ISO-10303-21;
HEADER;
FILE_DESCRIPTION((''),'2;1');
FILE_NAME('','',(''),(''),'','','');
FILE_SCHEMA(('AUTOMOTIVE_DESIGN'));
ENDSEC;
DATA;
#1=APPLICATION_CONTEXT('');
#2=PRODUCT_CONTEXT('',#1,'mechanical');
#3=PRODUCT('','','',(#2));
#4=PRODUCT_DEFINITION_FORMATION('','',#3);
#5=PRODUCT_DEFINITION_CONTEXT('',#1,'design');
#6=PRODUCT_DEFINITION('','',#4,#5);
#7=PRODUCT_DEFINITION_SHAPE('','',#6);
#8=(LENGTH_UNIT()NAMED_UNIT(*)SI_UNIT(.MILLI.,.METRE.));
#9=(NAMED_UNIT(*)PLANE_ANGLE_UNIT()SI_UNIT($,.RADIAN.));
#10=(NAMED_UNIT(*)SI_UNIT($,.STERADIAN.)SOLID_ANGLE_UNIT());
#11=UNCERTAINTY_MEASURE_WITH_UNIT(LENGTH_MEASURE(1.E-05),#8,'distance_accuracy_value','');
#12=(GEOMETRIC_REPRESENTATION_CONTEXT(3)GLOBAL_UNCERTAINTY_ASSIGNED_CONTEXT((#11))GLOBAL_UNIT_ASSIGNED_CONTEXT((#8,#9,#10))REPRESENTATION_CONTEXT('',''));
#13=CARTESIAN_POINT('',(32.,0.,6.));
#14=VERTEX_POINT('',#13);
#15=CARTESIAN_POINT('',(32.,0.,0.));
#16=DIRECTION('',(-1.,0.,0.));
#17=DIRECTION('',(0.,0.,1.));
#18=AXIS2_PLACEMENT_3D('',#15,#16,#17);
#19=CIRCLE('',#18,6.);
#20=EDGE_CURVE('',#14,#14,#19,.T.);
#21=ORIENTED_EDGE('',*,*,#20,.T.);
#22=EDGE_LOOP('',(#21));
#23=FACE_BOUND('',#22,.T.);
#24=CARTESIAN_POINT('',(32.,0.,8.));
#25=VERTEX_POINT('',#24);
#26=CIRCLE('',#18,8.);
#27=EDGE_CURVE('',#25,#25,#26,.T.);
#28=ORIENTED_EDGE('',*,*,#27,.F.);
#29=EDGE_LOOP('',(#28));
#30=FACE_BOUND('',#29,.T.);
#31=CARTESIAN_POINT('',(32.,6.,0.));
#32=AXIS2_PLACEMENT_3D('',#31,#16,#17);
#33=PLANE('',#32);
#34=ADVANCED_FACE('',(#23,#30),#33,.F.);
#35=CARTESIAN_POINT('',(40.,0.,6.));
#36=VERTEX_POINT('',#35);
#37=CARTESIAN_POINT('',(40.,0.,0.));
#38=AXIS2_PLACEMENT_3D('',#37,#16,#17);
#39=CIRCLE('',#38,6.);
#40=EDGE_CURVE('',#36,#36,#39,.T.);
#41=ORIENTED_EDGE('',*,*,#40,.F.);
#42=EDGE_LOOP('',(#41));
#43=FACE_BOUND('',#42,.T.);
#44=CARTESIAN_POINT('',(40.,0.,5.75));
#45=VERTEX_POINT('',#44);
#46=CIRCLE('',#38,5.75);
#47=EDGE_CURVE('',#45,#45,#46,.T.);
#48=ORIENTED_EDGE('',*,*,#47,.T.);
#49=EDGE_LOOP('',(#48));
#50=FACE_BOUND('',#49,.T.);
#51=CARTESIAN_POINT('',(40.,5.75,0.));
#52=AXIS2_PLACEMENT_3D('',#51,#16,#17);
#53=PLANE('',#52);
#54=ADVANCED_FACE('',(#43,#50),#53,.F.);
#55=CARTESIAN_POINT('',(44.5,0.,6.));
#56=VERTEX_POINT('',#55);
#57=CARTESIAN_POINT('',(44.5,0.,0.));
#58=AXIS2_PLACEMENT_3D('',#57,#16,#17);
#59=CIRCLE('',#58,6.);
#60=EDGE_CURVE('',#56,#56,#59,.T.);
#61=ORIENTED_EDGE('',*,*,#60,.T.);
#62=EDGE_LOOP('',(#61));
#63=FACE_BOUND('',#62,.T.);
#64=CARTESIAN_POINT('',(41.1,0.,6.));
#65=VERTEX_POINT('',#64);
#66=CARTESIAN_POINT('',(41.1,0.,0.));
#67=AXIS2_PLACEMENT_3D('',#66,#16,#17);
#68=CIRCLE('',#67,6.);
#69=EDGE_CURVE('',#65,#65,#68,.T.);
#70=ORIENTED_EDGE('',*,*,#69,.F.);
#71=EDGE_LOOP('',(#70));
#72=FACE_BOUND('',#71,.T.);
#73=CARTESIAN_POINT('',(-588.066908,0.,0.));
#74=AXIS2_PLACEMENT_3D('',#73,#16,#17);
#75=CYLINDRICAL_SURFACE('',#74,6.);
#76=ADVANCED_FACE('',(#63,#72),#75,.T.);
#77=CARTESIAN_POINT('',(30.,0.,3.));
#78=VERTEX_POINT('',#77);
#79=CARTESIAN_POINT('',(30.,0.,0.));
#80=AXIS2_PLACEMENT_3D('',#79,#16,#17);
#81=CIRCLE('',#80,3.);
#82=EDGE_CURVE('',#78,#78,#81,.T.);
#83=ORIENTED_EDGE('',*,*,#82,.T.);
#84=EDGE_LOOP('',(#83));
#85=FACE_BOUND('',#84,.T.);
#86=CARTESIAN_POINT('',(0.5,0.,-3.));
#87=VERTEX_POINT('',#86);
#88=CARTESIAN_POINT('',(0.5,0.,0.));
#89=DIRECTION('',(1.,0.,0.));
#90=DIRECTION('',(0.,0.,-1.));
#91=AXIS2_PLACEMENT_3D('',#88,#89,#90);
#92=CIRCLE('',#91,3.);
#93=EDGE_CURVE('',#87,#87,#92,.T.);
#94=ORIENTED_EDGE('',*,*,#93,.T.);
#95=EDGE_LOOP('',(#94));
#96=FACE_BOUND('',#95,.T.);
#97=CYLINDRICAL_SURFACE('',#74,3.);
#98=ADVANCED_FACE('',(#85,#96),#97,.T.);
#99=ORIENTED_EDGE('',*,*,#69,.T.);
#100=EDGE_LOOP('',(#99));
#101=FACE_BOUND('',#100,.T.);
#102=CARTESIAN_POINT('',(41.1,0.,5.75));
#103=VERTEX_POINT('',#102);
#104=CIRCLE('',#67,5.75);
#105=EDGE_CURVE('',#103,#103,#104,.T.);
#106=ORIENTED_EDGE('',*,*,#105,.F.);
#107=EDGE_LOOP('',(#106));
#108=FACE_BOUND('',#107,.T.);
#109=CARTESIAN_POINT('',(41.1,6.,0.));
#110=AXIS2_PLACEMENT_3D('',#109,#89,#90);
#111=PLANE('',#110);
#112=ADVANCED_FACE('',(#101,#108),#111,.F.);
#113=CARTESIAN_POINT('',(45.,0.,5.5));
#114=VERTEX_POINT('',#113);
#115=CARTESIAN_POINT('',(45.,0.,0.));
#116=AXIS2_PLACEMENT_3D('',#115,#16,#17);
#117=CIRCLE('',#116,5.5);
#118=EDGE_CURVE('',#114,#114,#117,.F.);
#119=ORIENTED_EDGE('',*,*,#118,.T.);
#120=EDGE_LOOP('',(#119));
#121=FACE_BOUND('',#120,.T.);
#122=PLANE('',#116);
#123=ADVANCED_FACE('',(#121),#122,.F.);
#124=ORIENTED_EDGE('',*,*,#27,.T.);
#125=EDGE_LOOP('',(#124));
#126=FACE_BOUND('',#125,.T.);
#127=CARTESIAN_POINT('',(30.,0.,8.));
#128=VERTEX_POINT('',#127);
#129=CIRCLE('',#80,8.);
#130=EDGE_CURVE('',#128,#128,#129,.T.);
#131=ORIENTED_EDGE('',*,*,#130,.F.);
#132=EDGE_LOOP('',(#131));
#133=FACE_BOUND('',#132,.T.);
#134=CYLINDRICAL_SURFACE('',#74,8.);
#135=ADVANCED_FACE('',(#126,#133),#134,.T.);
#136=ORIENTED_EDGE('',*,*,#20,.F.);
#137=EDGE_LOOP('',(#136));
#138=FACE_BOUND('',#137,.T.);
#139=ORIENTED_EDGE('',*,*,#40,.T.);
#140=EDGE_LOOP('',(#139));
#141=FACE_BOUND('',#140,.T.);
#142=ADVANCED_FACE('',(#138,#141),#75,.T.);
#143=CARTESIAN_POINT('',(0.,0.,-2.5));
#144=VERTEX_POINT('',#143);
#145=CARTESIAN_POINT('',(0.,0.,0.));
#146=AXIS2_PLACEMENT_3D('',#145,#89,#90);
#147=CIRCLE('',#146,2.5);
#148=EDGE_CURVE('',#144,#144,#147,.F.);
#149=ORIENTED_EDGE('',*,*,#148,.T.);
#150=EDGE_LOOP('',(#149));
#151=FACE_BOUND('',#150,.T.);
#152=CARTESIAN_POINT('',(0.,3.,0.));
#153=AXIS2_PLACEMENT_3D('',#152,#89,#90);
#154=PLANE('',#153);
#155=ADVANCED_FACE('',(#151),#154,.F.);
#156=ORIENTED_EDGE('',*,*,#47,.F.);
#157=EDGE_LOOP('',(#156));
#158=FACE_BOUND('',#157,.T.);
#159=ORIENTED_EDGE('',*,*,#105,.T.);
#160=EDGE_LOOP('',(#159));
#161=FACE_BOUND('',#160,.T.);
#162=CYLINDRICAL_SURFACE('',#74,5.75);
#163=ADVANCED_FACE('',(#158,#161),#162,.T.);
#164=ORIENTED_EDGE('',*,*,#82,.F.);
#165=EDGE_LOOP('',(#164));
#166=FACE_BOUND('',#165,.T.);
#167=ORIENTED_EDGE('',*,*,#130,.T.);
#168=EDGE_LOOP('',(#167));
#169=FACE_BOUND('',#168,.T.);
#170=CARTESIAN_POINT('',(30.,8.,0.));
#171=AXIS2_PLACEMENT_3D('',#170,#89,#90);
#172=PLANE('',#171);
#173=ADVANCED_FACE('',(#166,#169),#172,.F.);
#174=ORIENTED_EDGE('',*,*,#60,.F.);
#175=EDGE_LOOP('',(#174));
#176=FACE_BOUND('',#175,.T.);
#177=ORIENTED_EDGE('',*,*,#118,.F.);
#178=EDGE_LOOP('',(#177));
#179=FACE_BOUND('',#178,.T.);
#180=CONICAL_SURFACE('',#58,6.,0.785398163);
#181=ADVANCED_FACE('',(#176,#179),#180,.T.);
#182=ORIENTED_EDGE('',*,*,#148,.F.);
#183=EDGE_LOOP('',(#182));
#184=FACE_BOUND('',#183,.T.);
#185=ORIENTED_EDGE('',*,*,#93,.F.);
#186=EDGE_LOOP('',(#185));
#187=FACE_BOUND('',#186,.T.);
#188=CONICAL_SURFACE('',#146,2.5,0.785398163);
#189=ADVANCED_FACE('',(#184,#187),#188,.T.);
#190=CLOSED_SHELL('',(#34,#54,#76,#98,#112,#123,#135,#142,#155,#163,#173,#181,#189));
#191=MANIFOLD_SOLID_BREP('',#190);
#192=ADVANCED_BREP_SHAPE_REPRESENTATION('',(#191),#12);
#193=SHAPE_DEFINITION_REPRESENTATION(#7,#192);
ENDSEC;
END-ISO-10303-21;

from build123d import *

# Parameters (mm, degrees)
CHAMFER1_SIZE = 0.5


with BuildPart() as part:
    # Sketch1 → Revolve1 (revolve)
    with BuildSketch(Plane.XY):
        Polygon((45, 0), (45, 6), (41.1, 6), (41.1, 5.75), (40, 5.75), (40, 6), (32, 6), (32, 8), (30, 8), (30, 3), (0, 3), (0, 0), align=None)
    revolve(axis=Axis((-588.066908311, 0, 0), (1, 0, 0)))

    # Chamfer1
    chamfer1_edges = [part.edges().sort_by_distance(p)[0] for p in [
        (45, -6, 0),
        (0, -3, 0),
    ]]
    chamfer(chamfer1_edges, length=CHAMFER1_SIZE)


solid = part.part
